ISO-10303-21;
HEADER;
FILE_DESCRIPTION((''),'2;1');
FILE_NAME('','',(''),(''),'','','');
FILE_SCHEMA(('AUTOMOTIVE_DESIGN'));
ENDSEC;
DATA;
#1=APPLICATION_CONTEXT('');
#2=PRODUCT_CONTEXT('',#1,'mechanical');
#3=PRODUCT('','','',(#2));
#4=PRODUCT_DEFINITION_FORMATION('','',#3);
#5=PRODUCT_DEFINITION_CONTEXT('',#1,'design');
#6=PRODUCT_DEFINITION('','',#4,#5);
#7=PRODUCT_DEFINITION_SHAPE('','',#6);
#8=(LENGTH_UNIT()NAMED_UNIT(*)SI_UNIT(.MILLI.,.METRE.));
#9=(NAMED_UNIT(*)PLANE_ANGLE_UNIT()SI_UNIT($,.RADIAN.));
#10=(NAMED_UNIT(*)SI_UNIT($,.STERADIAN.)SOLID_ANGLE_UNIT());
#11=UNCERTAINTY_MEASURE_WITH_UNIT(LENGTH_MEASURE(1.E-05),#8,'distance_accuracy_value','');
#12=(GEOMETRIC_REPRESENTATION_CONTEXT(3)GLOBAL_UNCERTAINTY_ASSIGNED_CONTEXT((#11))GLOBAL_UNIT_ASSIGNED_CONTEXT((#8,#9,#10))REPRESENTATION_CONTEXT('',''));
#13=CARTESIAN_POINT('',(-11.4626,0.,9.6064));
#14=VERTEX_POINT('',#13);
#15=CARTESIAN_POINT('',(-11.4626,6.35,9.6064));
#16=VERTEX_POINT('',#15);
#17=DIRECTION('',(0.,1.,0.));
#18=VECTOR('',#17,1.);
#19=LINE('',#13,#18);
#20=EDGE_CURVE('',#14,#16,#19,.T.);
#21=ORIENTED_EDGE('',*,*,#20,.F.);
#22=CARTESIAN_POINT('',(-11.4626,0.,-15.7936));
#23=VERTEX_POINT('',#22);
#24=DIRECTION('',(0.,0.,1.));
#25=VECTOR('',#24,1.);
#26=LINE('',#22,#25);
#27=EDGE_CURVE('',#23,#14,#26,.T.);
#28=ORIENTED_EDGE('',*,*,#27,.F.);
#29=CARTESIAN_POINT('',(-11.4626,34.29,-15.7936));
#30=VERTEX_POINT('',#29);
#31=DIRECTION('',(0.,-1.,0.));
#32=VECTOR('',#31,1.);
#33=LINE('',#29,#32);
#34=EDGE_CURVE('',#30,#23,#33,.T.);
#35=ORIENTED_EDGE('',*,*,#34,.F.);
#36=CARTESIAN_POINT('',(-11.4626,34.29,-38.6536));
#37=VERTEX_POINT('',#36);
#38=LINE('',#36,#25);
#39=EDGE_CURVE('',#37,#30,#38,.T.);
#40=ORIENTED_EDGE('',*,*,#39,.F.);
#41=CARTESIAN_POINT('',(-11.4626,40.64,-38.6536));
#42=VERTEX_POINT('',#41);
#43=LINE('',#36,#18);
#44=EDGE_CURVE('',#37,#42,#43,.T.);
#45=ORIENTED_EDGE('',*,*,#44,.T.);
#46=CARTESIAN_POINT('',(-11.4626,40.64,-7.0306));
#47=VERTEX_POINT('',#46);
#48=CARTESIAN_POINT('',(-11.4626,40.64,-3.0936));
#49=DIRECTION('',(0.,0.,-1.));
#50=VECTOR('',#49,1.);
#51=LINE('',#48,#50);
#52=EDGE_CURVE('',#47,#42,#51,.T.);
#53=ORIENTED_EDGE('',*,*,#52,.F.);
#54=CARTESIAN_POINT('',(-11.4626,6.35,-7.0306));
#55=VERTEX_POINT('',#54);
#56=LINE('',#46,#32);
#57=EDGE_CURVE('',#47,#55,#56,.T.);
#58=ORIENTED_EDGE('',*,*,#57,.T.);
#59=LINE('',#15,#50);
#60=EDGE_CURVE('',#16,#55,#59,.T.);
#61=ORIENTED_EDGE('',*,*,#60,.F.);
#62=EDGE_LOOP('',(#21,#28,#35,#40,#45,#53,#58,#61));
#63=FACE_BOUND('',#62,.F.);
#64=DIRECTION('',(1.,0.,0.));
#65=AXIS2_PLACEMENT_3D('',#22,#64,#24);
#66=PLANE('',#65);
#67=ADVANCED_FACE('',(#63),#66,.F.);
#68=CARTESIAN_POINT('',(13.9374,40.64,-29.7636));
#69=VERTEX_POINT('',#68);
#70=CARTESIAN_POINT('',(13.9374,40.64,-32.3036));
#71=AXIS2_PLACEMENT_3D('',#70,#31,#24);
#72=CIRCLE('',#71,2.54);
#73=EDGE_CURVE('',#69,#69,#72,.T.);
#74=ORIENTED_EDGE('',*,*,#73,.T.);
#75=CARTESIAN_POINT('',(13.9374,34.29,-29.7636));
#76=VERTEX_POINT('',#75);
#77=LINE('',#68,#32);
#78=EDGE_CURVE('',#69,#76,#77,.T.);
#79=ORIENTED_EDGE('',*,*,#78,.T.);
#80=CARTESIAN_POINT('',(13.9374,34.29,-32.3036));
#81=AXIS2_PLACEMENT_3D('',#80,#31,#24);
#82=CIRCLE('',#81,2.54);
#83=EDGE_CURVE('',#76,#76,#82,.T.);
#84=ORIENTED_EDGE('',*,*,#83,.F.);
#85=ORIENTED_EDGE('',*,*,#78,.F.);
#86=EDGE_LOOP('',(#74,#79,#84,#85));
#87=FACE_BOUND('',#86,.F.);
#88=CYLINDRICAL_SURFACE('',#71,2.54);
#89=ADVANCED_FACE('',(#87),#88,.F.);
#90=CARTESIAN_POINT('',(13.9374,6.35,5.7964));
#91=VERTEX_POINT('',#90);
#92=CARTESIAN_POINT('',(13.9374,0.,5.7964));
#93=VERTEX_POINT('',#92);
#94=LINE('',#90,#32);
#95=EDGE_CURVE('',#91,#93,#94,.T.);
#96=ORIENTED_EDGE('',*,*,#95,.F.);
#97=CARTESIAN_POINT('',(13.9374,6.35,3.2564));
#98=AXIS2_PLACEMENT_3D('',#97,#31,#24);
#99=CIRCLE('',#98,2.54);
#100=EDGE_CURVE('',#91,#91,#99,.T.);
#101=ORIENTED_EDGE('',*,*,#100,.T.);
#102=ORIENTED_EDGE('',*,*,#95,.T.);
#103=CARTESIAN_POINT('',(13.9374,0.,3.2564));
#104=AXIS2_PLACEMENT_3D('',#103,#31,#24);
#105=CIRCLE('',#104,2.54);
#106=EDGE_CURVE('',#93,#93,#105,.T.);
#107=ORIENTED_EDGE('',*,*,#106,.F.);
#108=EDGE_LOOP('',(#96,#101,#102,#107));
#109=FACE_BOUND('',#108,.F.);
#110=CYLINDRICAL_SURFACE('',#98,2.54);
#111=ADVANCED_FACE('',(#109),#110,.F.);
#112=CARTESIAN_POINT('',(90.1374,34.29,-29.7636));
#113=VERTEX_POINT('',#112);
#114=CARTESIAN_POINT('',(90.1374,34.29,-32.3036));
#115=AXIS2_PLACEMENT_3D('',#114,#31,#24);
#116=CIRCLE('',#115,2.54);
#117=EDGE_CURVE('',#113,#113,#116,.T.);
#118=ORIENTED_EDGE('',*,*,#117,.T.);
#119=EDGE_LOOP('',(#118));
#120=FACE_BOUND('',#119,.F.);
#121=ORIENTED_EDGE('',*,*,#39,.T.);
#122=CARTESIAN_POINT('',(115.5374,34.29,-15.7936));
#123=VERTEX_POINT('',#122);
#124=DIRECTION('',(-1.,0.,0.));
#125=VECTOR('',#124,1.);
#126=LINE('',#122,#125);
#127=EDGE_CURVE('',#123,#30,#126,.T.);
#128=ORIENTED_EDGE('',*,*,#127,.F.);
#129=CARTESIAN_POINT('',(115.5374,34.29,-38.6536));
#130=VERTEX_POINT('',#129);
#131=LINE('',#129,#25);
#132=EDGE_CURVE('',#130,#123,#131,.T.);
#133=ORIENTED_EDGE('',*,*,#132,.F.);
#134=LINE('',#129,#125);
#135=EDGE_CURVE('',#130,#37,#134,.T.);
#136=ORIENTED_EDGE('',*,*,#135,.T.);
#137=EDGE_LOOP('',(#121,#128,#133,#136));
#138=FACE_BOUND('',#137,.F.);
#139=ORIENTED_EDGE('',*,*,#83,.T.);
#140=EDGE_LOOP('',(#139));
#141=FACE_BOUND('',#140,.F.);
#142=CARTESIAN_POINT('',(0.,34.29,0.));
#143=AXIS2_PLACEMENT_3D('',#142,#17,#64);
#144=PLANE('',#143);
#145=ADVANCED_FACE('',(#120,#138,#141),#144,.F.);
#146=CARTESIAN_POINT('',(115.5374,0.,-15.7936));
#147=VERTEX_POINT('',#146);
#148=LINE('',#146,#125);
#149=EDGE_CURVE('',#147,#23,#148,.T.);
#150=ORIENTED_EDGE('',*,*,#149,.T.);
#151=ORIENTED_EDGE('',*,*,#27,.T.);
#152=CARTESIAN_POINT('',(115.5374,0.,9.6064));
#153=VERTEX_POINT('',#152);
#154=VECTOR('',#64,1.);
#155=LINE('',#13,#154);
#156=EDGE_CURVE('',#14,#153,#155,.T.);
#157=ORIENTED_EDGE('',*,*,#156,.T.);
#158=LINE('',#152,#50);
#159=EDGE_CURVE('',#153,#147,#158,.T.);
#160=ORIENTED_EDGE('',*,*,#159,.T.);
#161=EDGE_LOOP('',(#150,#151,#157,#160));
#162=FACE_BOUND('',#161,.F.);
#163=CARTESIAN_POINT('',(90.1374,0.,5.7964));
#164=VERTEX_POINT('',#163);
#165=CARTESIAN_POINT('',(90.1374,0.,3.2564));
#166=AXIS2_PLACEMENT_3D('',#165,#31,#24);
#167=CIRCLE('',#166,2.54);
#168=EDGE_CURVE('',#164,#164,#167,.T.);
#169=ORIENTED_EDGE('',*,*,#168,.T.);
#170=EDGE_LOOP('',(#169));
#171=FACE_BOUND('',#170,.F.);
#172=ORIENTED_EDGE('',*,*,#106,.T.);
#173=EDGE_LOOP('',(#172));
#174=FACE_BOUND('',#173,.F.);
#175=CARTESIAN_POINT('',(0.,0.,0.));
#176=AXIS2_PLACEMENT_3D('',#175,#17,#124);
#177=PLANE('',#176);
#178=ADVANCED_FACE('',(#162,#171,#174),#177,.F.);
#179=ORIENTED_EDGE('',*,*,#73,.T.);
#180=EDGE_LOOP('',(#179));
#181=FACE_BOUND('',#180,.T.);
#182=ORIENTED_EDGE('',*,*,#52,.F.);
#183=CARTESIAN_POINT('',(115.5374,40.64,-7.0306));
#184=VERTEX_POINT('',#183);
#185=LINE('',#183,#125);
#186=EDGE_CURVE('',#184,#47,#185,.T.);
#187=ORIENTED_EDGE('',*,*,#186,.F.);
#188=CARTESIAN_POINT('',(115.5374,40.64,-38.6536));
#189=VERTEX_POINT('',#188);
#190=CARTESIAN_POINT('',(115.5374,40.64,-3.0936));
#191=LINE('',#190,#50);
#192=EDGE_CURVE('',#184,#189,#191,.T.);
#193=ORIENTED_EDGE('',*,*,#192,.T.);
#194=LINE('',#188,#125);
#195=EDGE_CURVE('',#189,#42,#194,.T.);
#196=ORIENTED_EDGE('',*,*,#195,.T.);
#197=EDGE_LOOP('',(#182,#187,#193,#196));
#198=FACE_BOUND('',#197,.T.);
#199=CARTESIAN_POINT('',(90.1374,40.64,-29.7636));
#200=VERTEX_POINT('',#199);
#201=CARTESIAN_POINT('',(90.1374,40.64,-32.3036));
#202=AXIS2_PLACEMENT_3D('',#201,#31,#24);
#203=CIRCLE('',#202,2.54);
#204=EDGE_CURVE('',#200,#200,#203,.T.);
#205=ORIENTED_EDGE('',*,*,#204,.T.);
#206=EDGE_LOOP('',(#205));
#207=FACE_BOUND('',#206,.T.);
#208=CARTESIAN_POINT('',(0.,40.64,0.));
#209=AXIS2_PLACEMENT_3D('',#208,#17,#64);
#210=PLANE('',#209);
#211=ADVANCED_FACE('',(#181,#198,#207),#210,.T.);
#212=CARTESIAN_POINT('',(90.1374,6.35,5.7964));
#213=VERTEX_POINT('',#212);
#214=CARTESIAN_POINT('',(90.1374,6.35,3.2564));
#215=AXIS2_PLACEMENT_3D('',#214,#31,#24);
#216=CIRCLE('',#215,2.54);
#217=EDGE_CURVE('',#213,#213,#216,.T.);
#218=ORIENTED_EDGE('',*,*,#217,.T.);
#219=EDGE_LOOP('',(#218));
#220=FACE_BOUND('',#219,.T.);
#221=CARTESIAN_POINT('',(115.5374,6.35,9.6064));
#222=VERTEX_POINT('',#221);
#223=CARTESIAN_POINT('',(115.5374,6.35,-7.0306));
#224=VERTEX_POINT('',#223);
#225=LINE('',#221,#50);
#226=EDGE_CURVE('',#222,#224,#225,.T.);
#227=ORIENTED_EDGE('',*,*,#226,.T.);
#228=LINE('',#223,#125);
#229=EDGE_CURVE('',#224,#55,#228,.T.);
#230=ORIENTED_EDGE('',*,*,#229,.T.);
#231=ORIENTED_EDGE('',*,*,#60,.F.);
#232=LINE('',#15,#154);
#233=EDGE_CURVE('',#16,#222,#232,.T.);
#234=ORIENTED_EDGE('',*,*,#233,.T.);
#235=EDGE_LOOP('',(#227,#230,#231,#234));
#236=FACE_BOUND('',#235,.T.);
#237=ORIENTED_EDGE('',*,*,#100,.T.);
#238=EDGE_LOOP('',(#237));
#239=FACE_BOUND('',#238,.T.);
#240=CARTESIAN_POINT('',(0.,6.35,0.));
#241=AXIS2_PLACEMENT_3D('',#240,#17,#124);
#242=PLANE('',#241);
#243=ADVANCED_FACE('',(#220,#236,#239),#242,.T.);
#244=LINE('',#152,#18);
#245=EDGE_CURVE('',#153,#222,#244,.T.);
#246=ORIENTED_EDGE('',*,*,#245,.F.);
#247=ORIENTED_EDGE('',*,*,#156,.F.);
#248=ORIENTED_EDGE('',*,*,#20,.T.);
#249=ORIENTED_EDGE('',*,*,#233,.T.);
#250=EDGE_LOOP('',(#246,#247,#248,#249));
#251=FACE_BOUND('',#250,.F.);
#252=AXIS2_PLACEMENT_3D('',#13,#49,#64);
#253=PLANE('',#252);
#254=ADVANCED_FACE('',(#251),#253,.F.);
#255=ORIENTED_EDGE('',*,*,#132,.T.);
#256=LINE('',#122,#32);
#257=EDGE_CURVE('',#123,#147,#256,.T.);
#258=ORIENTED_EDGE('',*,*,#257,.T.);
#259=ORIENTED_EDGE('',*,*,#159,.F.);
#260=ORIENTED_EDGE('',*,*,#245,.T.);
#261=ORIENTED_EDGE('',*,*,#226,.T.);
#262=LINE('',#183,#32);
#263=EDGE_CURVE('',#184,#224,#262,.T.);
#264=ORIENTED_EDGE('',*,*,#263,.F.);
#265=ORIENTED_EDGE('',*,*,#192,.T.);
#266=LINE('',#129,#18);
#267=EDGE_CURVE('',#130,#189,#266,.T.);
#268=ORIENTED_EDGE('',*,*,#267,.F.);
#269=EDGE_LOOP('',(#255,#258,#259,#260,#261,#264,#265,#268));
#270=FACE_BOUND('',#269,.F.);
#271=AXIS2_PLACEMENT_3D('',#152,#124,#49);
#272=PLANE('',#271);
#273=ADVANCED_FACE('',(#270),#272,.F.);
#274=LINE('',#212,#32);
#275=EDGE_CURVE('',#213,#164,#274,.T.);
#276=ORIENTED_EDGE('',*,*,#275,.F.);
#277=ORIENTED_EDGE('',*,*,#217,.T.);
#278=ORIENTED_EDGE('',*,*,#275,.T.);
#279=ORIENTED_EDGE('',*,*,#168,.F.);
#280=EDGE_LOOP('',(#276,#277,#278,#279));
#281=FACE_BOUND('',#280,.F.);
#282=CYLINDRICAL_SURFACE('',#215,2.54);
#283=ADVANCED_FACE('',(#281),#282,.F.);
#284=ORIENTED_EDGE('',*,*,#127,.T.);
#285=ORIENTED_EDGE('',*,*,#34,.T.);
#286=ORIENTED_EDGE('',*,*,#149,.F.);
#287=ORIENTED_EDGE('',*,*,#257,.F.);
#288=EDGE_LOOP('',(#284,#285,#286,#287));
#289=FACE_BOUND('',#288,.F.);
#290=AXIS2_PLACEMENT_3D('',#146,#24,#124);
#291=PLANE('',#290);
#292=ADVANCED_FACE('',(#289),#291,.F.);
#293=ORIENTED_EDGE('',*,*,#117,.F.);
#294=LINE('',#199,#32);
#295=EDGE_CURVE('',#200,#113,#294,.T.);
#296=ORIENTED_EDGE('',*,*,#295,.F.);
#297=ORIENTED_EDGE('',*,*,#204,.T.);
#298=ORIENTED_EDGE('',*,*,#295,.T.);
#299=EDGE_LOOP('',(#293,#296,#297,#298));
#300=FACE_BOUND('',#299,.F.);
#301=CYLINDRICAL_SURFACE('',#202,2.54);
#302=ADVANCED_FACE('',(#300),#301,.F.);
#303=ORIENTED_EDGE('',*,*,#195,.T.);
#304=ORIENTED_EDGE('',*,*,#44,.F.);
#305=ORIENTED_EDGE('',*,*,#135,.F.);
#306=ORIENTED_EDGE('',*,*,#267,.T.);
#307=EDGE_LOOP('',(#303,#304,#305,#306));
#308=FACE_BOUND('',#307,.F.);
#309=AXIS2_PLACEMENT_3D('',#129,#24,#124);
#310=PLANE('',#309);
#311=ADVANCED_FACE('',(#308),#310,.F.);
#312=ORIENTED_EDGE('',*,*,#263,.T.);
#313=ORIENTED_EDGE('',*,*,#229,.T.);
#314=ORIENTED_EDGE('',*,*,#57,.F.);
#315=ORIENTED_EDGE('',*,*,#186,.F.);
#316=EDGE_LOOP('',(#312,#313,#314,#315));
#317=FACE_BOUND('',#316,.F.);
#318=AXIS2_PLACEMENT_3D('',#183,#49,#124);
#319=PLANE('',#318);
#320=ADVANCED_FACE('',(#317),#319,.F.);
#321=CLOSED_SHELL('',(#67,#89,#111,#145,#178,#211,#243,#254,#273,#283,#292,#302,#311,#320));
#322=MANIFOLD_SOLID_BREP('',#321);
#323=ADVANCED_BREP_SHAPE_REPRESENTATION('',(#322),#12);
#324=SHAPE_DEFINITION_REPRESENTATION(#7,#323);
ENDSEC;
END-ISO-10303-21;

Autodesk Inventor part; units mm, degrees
ref_plane "YZ Plane" through (0, 0, 0) normal (1, 0, 0) x (0, 1, 0)
ref_plane "XZ Plane" through (0, 0, 0) normal (0, 1, 0) x (-1, 0, 0)
ref_plane "XY Plane" through (0, 0, 0) normal (0, 0, 1) x (1, 0, 0)
sketch "Sketch1" plane through (0, 0, 0) normal (0, 1, 0) x (-1, 0, 0)
  line L0 (11.4626, 9.6064) -> (-115.5374, 9.6064)
  line L1 (-115.5374, 9.6064) -> (-115.5374, -15.7936)
  line L2 (-115.5374, -15.7936) -> (11.4626, -15.7936)
  line L3 (11.4626, -15.7936) -> (11.4626, 9.6064)
  point P0 (0, 0)
  dimension "d0" = 25.4
  dimension "d1" = 127
extrude "Extrusion1" add sketch "Sketch1" along normal blind 6.35
sketch "Sketch2" plane through (0, 6.35, 0) normal (0, 1, 0) x (1, 0, 0)
  line L0 (115.5374, 15.7936) -> (-11.4626, 15.7936) projected
  line L1 (-11.4626, 15.7936) -> (-11.4626, -9.6064) projected
  line L2 (115.5374, -9.6064) -> (115.5374, 15.7936) projected
  line L3 (-11.4626, 15.7936) -> (115.5374, 15.7936)
  line L4 (115.5374, 15.7936) -> (115.5374, 3.0936)
  line L5 (115.5374, 3.0936) -> (-11.4626, 3.0936)
  line L6 (-11.4626, 3.0936) -> (-11.4626, 15.7936)
  point P0 (0, 0)
  dimension "d31" = 12.7
extrude "Extrusion2" add sketch "Sketch2" along normal blind 27.94
sketch "Sketch3" plane through (0, 34.29, 0) normal (0, 1, 0) x (1, 0, 0)
  line L0 (-11.4626, 3.0936) -> (115.5374, 3.0936) projected
  line L1 (-11.4626, 15.7936) -> (-11.4626, 3.0936) projected
  line L2 (115.5374, 15.7936) -> (-11.4626, 15.7936) projected
  line L3 (115.5374, 3.0936) -> (115.5374, 15.7936) projected
  line L4 (-11.4626, 3.0936) -> (115.5374, 3.0936)
  line L5 (115.5374, 3.0936) -> (115.5374, 38.6536)
  line L6 (115.5374, 38.6536) -> (-11.4626, 38.6536)
  line L7 (-11.4626, 38.6536) -> (-11.4626, 3.0936)
  point P0 (0, 0)
  dimension "d6" = 35.56
extrude "Extrusion3" add sketch "Sketch3" along normal blind 6.35
sketch "Sketch4" plane through (0, 40.64, 0) normal (0, 1, 0) x (1, 0, 0)
  line L0 (115.5374, 38.6536) -> (-11.4626, 38.6536) projected
  line L1 (-11.4626, 38.6536) -> (-11.4626, 3.0936) projected
  point P0 (0, 0)
  point P1 (13.9374, 32.3036)
  point P2 (90.1374, 32.3036)
  dimension "d9" = 0
  dimension "d10" = 6.35
  dimension "d11" = 76.2
  dimension "d12" = 25.4
hole "Hole1" at (13.9374, 40.64, -32.3036) at (90.1374, 40.64, -32.3036) direction (0, -1, 0) diameter 5.08 end through all
sketch "Sketch5" plane through (0, 6.35, 0) normal (0, 1, 0) x (1, 0, 0)
  line L0 (-11.4626, -9.6064) -> (115.5374, -9.6064) projected
  line L1 (115.5374, -9.6064) -> (115.5374, 3.0936) projected
  point P0 (0, 0)
  point P1 (13.9374, -3.2564)
  point P2 (90.1374, -3.2564)
  dimension "d20" = 0
  dimension "d21" = 6.35
  dimension "d22" = 25.4
  dimension "d23" = 76.2
hole "Hole2" at (13.9374, 6.35, 3.2564) at (90.1374, 6.35, 3.2564) direction (0, -1, 0) diameter 5.08 end through all
sketch "Sketch7" plane through (0, 40.64, 0) normal (0, 1, 0) x (1, 0, 0)
  line L0 (-11.4626, 3.0936) -> (115.5374, 3.0936) projected
  line L1 (-11.4626, 38.6536) -> (-11.4626, 3.0936) projected
  line L2 (115.5374, 3.0936) -> (115.5374, 38.6536) projected
  line L3 (-11.4626, 3.0936) -> (115.5374, 3.0936)
  line L4 (115.5374, 3.0936) -> (115.5374, 7.0306)
  line L5 (115.5374, 7.0306) -> (-11.4626, 7.0306)
  line L6 (-11.4626, 7.0306) -> (-11.4626, 3.0936)
  point P0 (0, 0)
  dimension "d35" = 3.937
extrude "Extrusion5" cut sketch "Sketch7" against normal blind 34.29
properties part number "EBoardStandoffs"
